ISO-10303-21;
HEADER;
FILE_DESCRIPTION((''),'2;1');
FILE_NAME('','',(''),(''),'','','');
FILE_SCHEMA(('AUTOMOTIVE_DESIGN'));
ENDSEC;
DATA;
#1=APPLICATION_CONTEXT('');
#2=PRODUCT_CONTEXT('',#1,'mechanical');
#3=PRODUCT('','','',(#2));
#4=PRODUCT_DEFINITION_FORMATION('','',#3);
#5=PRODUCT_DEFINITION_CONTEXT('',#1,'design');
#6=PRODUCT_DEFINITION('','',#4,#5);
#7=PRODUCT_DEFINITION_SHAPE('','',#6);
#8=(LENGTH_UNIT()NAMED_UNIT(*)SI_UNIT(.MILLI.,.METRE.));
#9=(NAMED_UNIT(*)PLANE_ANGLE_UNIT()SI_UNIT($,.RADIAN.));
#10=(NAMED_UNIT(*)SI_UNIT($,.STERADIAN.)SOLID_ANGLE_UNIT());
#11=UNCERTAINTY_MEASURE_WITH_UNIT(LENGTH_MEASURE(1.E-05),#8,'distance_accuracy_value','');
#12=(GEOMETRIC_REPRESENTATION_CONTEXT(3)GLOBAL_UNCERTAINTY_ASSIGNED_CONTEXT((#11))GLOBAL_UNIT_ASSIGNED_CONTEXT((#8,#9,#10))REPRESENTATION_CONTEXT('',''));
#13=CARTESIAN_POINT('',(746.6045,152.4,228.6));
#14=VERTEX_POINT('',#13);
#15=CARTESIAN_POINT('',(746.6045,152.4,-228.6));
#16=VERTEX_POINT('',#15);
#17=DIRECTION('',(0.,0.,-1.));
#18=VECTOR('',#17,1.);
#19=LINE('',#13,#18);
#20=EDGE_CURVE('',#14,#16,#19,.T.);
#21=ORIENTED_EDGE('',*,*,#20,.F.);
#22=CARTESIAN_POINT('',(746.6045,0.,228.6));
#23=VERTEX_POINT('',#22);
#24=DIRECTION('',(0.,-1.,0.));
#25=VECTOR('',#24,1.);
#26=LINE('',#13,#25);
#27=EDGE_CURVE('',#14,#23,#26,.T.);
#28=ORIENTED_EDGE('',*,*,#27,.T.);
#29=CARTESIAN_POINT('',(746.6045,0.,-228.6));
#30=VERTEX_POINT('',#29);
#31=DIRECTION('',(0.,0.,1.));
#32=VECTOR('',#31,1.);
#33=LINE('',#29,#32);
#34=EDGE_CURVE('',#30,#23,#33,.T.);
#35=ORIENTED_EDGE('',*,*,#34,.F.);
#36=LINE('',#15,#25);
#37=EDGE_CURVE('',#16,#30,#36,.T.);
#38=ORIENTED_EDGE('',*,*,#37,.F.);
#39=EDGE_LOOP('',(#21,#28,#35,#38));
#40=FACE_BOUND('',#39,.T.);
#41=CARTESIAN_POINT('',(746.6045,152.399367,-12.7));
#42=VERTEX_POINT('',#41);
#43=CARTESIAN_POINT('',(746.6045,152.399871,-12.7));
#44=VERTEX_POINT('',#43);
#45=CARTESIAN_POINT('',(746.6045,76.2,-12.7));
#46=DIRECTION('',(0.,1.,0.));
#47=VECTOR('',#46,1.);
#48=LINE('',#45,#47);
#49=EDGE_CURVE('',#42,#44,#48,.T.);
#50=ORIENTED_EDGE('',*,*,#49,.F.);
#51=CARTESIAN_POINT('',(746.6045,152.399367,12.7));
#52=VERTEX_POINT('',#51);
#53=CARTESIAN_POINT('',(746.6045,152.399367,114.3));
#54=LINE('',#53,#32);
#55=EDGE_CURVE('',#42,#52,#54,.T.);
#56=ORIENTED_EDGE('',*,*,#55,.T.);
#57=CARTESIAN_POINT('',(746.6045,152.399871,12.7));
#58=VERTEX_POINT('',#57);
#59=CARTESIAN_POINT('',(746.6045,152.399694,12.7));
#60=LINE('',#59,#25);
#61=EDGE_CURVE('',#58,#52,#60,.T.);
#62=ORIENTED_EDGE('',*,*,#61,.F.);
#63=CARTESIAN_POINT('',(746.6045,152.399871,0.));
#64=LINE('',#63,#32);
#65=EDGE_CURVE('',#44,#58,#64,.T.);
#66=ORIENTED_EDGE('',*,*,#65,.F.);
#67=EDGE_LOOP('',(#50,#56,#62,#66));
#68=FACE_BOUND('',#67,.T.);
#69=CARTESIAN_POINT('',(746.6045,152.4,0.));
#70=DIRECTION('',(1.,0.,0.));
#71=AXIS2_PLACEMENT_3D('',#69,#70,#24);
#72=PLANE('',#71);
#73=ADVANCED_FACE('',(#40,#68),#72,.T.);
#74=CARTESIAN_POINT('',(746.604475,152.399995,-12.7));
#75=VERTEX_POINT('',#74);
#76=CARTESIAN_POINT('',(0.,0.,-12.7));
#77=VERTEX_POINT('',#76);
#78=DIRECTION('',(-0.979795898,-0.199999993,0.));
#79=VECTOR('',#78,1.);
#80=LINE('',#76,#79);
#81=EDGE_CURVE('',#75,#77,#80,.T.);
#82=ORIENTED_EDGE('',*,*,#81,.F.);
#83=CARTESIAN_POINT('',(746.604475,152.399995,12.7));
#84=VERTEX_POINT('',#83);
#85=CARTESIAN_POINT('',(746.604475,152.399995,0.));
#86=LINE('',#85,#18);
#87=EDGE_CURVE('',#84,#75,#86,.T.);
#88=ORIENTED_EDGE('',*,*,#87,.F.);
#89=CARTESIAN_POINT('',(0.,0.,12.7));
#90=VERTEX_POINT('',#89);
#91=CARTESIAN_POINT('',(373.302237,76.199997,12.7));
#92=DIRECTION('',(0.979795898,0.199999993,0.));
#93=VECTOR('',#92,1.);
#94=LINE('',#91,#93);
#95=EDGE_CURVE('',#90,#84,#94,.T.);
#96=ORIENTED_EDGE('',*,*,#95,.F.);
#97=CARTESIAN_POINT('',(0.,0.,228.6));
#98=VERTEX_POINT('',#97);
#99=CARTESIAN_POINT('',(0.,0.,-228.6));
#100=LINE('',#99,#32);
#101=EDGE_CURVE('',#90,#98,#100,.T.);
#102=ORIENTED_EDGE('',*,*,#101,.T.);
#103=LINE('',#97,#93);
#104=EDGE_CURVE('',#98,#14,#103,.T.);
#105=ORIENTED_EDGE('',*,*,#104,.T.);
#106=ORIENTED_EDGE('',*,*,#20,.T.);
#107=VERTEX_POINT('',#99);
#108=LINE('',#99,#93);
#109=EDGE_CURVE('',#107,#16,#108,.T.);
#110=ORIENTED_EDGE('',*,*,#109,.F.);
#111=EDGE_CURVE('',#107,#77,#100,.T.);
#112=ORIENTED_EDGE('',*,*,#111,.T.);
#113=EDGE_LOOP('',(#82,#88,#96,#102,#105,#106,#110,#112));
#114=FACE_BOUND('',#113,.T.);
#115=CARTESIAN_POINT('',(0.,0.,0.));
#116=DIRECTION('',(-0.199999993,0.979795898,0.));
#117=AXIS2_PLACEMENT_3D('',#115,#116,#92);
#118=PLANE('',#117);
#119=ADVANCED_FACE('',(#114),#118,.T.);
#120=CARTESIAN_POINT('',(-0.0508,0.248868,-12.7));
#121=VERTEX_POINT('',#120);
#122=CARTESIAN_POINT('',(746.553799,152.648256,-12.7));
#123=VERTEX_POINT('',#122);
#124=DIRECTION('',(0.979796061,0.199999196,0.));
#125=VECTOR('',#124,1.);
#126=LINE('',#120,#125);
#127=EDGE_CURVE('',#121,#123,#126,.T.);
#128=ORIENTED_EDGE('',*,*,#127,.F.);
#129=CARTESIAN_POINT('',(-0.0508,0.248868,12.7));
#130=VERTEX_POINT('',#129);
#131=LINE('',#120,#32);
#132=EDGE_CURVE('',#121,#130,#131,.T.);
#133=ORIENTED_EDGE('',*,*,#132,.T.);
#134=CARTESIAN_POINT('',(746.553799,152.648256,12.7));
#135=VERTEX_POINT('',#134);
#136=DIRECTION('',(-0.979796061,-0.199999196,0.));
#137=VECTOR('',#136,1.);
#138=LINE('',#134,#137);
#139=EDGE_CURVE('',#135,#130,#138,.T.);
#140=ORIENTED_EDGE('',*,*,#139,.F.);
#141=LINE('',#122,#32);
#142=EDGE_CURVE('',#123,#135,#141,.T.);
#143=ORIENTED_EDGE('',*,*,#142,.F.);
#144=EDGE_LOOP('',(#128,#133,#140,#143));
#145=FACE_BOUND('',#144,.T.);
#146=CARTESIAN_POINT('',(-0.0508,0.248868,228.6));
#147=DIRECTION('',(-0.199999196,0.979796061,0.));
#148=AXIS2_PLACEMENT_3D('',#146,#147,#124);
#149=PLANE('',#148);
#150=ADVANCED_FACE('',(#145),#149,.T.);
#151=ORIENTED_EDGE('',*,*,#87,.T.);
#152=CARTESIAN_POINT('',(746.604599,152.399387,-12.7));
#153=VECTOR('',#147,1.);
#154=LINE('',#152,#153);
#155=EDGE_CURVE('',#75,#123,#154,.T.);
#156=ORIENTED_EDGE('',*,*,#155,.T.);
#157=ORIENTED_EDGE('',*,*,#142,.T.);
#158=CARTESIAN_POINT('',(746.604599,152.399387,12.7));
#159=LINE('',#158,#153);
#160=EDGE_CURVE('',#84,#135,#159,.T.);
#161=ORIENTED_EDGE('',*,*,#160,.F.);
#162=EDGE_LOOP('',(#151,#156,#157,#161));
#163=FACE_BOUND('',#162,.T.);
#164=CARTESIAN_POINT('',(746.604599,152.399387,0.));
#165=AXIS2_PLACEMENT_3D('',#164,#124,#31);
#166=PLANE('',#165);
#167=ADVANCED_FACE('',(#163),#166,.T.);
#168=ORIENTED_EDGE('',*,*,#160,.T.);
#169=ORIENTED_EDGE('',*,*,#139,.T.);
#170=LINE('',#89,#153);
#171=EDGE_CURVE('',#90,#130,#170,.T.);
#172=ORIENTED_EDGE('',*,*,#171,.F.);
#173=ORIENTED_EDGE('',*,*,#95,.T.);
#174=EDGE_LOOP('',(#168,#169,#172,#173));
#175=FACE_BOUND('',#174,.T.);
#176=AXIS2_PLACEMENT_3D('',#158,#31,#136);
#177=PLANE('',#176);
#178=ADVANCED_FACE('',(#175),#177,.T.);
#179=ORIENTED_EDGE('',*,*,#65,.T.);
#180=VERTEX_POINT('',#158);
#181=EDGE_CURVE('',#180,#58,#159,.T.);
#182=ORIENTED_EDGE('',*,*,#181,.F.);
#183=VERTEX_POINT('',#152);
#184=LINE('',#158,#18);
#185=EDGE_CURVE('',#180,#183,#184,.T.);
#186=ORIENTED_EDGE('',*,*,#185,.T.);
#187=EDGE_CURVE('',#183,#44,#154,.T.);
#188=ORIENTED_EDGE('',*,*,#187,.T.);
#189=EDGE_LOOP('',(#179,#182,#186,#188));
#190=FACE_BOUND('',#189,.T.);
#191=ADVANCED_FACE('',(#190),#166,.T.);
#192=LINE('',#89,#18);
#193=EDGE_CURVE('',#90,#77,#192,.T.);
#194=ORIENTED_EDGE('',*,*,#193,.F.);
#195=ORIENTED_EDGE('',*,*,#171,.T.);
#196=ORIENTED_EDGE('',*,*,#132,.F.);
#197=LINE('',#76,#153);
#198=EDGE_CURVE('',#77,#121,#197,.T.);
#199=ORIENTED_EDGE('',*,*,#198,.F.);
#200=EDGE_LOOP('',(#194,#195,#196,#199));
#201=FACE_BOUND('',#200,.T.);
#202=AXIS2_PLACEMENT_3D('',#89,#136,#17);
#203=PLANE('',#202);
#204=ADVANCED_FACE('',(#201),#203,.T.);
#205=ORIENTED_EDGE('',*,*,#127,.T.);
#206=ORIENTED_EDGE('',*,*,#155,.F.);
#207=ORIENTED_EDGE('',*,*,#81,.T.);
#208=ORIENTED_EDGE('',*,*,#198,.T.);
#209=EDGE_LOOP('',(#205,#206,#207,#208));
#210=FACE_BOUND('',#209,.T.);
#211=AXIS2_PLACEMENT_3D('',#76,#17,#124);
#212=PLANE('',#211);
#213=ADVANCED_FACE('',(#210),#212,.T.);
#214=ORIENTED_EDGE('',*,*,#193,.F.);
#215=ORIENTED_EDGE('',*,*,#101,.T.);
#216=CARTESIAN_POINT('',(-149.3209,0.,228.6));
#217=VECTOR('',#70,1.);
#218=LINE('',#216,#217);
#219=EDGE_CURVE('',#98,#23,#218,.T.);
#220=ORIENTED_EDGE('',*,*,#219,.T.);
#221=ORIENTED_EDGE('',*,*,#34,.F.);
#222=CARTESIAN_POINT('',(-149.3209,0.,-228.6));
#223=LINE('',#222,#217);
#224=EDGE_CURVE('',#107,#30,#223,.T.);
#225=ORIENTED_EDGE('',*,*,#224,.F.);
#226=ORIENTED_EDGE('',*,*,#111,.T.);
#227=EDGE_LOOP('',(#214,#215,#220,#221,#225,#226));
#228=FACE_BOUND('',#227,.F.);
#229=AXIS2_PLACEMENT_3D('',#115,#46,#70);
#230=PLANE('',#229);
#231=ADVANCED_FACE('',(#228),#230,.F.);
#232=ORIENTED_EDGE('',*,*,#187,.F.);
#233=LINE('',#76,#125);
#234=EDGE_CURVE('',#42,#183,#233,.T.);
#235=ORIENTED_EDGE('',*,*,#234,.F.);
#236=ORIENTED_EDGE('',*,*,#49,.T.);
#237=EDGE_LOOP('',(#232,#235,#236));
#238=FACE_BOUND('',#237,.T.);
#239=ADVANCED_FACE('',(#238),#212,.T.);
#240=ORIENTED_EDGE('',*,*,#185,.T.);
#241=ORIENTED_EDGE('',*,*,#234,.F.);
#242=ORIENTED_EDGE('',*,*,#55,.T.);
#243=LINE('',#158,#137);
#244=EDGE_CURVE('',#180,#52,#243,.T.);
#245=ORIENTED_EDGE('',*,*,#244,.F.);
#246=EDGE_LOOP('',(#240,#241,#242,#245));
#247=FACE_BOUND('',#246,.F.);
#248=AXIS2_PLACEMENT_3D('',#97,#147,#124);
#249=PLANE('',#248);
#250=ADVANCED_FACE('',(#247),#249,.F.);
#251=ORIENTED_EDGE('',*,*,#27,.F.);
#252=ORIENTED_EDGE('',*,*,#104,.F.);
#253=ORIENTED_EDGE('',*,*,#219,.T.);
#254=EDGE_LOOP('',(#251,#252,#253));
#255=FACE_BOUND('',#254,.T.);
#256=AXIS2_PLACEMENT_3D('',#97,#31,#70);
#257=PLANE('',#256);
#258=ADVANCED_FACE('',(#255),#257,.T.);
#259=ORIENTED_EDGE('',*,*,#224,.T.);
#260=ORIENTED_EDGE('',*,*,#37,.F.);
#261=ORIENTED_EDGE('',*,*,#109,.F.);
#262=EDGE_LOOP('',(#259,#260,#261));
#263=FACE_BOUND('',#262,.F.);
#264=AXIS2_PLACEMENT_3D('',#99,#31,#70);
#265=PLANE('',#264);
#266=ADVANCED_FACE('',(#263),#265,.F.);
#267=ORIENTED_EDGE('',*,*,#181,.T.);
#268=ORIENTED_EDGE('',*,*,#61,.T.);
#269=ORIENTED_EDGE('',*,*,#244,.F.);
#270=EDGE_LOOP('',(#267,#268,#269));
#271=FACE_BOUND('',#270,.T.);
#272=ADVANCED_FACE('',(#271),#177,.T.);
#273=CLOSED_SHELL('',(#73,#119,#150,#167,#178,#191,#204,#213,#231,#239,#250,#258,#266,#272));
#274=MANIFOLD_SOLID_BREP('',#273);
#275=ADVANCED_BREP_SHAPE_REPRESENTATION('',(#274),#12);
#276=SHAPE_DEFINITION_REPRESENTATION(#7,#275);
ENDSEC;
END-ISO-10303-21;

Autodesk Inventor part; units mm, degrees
ref_plane "YZ Plane" through (0, 0, 0) normal (1, 0, 0) x (0, 1, 0)
ref_plane "XZ Plane" through (0, 0, 0) normal (0, 1, 0) x (-1, 0, 0)
ref_plane "XY Plane" through (0, 0, 0) normal (0, 0, 1) x (1, 0, 0)
sketch "Sketch1" plane through (0, 0, 0) normal (0, 0, 1) x (1, 0, 0)
  line L0 (0, 0) -> (746.6045, 152.4)
  line L1 (0, 182.88) -> (0, -30.48) projected
  line L2 (-149.3209, 0) -> (895.9254, 0) projected
  line L3 (746.6045, 152.4) -> (746.6045, 0)
  line L4 (0, 0) -> (746.6045, 0)
  dimension "d0" = 152.4
  dimension "d1" = 762
extrude "Extrusion1" add sketch "Sketch1" along normal mid plane 457.2
sketch "Sketch4" plane through (0, 0, 228.6) normal (-0.2, 0.9798, 0) x (0.9798, 0.2, 0)
  line L0 (914.4, 228.6) -> (-152.4, 228.6) projected
  line L1 (762, 215.9) -> (0, 215.9)
  line L2 (0, 215.9) -> (0, 241.3)
  line L3 (0, 241.3) -> (762, 241.3)
  line L4 (762, 241.3) -> (762, 215.9)
  line L5 (762, 215.9) -> (0, 241.3) construction
  line L6 (0, 215.9) -> (762, 241.3) construction
  line L7 (0, 0) -> (0, 457.2) projected
  line L8 (762, 0) -> (0, 0) projected
  line L9 (762, 457.2) -> (762, 0) projected
  line L10 (0, 457.2) -> (762, 457.2) projected
  line L11 (762, 457.2) -> (762, 0) projected
  line L12 (0, 0) -> (0, 457.2) projected
  point P0 (0, 228.6)
  point P1 (381, 228.6)
  dimension "d6" = 25.4
extrude "Extrusion2" add sketch "Sketch4" along normal blind 0.254 contours L4 L1 L2 L0 | L0 L2 L3 L4
properties part number "Ramp"
